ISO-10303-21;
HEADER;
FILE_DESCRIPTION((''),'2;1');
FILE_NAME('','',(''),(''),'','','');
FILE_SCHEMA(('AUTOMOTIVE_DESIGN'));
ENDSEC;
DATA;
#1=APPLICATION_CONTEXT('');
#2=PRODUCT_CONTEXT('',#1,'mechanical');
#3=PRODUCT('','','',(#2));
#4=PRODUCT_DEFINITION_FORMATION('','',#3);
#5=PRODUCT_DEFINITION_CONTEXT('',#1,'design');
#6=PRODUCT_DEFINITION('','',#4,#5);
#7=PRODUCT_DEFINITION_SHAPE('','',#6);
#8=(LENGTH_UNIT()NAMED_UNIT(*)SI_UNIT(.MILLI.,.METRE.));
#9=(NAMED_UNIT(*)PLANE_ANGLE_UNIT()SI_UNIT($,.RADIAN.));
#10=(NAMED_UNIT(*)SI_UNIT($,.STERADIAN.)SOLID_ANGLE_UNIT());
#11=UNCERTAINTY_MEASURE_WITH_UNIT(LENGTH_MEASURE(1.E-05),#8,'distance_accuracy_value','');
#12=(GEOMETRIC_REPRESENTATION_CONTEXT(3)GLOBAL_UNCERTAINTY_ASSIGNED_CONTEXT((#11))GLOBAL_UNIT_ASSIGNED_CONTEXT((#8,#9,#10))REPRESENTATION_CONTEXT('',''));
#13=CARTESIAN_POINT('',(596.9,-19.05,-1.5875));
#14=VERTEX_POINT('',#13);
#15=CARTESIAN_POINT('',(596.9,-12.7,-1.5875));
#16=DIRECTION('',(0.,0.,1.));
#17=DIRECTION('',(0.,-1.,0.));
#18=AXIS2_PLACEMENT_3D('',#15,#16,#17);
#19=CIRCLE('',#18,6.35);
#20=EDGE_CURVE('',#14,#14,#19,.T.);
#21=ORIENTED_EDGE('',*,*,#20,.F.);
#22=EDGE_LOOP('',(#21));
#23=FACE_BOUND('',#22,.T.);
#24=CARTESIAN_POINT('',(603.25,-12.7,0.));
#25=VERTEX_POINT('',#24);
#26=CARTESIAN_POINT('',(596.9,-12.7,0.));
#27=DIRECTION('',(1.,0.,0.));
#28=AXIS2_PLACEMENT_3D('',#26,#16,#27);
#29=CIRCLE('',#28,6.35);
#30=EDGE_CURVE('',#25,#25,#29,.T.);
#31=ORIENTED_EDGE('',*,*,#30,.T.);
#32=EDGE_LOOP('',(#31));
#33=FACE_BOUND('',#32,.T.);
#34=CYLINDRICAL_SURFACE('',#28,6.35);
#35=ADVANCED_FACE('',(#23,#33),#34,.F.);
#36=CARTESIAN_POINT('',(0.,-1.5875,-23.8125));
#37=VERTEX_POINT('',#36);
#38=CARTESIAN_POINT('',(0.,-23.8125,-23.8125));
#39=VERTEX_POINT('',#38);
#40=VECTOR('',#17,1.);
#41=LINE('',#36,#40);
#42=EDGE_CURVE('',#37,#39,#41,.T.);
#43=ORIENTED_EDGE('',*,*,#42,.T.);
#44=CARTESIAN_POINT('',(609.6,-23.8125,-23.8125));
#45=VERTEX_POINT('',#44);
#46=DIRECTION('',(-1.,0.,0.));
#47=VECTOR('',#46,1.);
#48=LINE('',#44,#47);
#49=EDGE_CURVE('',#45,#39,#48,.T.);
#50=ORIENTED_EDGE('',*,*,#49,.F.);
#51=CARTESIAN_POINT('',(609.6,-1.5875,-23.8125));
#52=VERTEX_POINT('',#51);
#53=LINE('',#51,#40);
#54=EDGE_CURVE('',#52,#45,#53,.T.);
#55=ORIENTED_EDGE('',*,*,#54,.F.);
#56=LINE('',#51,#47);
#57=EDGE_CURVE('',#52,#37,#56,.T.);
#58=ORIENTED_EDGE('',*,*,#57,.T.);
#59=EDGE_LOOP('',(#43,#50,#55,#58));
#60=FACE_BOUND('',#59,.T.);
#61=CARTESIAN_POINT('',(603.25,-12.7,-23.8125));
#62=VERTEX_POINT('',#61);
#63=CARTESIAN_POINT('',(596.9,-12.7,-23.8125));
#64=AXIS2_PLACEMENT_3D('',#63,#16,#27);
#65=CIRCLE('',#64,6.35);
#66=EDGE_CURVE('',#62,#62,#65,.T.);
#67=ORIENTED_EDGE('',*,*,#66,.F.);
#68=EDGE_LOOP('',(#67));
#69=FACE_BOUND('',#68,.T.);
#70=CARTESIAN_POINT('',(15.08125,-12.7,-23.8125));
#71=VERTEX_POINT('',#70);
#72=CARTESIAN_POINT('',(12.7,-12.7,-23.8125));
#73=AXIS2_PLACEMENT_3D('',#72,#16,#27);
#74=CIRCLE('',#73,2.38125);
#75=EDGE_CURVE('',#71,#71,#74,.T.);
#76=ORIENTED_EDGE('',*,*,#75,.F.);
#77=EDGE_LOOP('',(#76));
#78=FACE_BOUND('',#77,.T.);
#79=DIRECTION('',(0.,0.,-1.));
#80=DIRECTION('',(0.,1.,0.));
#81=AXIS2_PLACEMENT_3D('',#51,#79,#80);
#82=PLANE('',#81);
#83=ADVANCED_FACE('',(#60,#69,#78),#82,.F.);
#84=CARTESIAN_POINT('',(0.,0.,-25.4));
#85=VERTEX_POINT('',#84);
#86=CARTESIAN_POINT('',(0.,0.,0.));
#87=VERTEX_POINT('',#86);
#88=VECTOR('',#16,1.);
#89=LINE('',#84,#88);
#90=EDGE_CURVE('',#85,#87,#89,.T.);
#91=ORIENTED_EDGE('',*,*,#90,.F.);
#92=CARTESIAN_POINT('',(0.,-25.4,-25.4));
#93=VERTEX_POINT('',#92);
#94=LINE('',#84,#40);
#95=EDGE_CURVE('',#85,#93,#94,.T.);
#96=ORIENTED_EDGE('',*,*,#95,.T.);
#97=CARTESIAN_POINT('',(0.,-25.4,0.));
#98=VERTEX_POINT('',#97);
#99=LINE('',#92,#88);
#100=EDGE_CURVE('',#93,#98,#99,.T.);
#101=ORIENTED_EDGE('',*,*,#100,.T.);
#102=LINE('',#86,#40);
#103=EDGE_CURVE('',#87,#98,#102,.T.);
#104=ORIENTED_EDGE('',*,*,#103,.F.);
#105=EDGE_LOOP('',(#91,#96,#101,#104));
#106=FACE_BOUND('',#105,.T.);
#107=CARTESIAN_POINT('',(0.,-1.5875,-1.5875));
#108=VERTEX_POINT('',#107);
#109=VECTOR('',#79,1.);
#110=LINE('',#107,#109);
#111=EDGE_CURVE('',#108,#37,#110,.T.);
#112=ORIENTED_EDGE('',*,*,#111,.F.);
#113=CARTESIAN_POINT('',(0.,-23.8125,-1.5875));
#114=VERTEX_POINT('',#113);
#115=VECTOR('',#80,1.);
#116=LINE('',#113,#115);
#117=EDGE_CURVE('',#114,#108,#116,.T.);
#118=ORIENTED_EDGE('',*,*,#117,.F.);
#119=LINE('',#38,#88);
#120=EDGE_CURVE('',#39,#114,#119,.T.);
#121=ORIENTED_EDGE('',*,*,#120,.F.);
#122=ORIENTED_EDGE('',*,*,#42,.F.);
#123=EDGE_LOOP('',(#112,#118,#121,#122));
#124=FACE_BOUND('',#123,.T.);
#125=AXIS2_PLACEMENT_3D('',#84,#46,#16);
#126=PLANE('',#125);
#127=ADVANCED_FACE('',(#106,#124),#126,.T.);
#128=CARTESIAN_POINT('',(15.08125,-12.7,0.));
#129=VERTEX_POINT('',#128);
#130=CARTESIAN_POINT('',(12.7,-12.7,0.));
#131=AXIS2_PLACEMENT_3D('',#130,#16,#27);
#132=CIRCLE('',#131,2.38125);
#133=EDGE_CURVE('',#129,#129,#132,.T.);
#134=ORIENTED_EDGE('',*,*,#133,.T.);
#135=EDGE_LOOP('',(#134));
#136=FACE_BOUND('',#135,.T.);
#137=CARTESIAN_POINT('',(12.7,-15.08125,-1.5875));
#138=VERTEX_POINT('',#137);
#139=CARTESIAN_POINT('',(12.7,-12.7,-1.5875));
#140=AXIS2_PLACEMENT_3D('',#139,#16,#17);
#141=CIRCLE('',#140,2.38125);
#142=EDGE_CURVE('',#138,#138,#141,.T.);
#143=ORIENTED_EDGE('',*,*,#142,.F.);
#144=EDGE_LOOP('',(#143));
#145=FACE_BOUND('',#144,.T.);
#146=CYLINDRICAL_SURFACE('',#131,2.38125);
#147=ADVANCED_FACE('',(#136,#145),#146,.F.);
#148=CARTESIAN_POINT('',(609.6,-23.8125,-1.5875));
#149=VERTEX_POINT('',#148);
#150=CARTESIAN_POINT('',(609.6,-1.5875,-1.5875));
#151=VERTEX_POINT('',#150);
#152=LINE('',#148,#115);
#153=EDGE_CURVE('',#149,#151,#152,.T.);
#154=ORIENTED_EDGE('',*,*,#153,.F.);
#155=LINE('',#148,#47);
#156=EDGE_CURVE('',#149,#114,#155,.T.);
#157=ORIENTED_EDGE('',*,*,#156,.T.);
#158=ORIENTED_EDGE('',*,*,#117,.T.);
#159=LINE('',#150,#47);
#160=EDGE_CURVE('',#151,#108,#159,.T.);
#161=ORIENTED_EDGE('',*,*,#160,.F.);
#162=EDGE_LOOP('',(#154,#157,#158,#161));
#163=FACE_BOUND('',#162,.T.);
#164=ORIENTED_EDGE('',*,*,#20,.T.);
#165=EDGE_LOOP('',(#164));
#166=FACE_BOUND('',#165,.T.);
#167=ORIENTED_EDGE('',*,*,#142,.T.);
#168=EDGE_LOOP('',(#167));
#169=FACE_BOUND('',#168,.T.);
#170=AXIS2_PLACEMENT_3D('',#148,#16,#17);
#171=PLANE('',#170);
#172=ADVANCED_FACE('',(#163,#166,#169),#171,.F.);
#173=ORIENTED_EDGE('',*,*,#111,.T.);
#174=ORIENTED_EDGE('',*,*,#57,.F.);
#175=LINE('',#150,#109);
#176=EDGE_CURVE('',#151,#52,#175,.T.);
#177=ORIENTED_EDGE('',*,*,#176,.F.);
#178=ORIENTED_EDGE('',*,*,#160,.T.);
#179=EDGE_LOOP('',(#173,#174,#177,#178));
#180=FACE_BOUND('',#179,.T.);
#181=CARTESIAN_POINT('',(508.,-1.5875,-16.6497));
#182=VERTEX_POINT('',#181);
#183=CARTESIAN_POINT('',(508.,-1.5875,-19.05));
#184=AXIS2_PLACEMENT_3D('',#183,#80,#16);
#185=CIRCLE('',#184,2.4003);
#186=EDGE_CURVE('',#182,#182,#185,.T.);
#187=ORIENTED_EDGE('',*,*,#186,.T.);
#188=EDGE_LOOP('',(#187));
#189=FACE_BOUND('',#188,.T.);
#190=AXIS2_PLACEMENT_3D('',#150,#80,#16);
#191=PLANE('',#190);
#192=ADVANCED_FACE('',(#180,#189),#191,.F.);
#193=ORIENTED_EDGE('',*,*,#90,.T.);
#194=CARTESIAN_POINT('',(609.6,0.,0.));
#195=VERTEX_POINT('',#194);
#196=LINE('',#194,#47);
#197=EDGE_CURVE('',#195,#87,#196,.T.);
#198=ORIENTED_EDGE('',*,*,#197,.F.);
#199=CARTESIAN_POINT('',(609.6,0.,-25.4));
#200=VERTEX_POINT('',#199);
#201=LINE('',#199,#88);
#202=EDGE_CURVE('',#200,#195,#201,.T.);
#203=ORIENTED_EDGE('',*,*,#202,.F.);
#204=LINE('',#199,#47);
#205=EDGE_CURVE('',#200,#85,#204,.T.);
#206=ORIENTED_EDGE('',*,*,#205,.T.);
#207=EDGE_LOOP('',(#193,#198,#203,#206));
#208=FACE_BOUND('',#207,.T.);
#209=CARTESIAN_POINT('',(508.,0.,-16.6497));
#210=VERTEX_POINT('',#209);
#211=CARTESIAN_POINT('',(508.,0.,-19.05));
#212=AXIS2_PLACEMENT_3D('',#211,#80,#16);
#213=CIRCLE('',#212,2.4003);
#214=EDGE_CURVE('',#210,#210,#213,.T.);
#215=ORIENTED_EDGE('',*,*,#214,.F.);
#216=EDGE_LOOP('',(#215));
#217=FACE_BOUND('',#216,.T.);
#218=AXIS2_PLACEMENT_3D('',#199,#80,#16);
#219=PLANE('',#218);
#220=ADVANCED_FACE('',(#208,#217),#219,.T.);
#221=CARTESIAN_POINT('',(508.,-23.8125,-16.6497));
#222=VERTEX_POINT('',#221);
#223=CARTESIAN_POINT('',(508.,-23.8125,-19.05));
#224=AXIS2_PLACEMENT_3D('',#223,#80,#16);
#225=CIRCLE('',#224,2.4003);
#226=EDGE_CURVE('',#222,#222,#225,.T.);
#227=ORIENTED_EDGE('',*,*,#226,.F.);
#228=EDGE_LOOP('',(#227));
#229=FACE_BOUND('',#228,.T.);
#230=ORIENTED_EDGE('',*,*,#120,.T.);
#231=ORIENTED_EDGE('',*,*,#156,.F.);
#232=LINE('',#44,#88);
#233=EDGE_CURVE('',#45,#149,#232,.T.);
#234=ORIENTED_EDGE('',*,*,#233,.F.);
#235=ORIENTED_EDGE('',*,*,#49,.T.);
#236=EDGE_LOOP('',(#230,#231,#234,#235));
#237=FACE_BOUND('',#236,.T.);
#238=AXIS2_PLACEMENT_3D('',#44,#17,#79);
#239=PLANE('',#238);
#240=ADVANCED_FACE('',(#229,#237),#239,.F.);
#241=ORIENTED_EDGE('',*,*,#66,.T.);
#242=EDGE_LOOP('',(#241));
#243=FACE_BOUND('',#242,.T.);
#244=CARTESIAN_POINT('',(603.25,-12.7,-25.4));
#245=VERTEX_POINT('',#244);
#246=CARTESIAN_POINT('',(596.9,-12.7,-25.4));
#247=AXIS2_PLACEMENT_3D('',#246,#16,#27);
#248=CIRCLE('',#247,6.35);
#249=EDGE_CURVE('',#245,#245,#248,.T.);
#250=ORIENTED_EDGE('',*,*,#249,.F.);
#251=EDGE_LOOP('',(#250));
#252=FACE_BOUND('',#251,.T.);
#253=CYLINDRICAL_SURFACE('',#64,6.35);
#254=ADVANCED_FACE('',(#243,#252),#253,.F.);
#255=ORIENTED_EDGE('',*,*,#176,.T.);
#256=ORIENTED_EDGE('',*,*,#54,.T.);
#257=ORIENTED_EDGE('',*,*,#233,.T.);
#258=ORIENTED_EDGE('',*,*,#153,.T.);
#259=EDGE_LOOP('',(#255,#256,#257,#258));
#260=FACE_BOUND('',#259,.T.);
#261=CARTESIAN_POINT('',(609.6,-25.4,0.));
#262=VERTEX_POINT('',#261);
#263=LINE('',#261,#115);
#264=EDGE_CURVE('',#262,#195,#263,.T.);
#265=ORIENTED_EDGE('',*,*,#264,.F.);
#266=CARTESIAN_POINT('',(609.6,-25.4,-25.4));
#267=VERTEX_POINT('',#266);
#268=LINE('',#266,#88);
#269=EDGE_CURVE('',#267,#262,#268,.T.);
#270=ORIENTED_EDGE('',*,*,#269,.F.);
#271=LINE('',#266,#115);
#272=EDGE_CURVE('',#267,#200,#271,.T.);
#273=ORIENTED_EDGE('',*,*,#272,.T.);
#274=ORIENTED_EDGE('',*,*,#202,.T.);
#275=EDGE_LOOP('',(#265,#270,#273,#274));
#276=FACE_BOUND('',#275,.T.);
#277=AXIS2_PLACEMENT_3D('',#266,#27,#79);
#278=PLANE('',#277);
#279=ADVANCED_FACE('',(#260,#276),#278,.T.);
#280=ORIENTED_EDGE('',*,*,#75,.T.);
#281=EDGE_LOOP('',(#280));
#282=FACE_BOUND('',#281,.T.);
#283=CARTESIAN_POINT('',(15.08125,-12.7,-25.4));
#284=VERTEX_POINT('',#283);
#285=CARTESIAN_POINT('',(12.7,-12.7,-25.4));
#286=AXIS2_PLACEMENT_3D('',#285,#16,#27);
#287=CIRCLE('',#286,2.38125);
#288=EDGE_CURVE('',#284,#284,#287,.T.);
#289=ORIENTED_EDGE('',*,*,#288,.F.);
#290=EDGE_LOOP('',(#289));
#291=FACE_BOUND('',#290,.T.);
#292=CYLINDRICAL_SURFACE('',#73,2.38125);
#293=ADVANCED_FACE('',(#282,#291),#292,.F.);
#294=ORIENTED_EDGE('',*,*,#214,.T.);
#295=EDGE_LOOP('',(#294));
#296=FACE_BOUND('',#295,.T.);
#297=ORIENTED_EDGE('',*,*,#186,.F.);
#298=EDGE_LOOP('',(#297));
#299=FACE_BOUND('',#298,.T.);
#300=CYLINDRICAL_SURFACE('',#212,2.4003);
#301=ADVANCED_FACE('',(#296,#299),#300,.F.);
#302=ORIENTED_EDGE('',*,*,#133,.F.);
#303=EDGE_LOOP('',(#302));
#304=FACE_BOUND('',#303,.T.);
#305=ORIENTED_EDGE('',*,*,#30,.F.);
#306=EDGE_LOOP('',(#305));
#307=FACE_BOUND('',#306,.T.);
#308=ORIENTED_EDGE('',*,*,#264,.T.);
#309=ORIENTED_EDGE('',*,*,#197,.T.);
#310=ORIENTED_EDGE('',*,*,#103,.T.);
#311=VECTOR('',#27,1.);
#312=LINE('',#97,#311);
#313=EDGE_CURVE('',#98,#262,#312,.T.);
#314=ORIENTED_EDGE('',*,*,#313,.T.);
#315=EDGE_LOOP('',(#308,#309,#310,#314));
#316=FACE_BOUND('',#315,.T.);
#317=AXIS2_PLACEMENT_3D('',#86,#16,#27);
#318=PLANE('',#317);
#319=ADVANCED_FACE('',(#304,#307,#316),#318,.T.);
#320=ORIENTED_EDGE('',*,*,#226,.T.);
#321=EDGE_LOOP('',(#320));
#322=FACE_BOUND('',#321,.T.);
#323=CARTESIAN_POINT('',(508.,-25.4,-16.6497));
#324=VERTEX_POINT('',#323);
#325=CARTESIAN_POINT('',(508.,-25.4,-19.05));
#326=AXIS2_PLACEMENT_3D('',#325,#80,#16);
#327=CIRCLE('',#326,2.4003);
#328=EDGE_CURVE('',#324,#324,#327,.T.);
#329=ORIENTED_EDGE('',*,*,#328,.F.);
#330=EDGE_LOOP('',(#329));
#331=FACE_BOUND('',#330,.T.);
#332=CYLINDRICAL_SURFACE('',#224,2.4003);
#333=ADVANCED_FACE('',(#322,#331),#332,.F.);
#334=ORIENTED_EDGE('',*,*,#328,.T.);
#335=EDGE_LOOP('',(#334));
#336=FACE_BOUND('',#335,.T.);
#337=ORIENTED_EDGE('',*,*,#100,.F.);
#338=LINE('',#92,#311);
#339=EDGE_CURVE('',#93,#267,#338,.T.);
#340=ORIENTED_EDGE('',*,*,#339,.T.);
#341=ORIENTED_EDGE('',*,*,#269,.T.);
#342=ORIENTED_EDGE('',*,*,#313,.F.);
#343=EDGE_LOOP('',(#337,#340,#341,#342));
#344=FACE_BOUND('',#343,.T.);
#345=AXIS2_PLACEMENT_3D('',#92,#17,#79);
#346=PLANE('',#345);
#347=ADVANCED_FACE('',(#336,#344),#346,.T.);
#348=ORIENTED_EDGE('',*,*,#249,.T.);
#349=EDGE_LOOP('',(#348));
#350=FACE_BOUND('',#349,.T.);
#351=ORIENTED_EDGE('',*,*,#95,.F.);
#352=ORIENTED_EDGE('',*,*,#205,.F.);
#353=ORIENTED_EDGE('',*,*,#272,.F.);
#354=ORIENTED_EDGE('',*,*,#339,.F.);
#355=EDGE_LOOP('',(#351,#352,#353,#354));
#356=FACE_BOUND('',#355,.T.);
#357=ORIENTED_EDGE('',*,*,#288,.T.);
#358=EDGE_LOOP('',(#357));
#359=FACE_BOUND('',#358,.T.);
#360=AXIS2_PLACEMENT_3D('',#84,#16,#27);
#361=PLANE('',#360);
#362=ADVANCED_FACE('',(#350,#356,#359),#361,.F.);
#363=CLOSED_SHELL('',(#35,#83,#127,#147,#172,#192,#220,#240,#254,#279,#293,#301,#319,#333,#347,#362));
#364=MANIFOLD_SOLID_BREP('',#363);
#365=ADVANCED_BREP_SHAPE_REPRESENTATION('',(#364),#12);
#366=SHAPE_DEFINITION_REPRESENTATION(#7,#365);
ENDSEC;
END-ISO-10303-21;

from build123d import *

# Parameters (mm, degrees)
SKETCH1_W                = 609.6
SKETCH1_H                = 25.4
BOSS_EXTRUDE1_DEPTH      = 25.4
SKETCH2_W                = 22.225
SKETCH2_H                = 22.225
CUT_EXTRUDE1_DEPTH       = 611.657416233
HOLE1_D                  = 4.8006
HOLE1_DEPTH              = 1.5875
M4_CLEARANCE_HOLE1_D     = 4.7625
M4_CLEARANCE_HOLE1_DEPTH = 1.5875
HOLE2_D                  = 12.7
HOLE2_DEPTH              = 1.5875
M4_CLEARANCE_HOLE2_D     = 4.7625
M4_CLEARANCE_HOLE2_DEPTH = 25.4
HOLE3_D                  = 12.7
HOLE3_DEPTH              = 25.4
HOLE4_D                  = 4.8006
HOLE4_DEPTH              = 25.4


with BuildPart() as part:
    # Sketch1 → Boss-Extrude1 (new body)
    with BuildSketch(Plane.XY):
        with Locations((304.8, -12.7)):
            Rectangle(SKETCH1_W, SKETCH1_H)
    extrude(amount=-BOSS_EXTRUDE1_DEPTH)

    # Sketch2 → Cut-Extrude1 (cut, through all)
    with BuildSketch(Plane.ZY):
        with Locations((-12.7, -12.7)):
            Rectangle(SKETCH2_W, SKETCH2_H)
    extrude(amount=-CUT_EXTRUDE1_DEPTH, mode=Mode.SUBTRACT)

    # Hole1
    with Locations(Plane(origin=(0, -23.8125, 0), x_dir=(1, 0, 0), z_dir=(0, 1, 0))):
        with Locations((508, 19.05)):
            Hole(HOLE1_D / 2, depth=HOLE1_DEPTH)

    # M4 Clearance Hole1
    with Locations(Plane.XY.offset(-23.8125)):
        with Locations((12.7, -12.7)):
            Hole(M4_CLEARANCE_HOLE1_D / 2, depth=M4_CLEARANCE_HOLE1_DEPTH)

    # Hole2
    with Locations(Plane.XY.offset(-23.8125)):
        with Locations((596.9, -12.7)):
            Hole(HOLE2_D / 2, depth=HOLE2_DEPTH)

    # M4 Clearance Hole2
    with Locations(Plane.XY):
        with Locations((12.7, -12.7)):
            Hole(M4_CLEARANCE_HOLE2_D / 2, depth=M4_CLEARANCE_HOLE2_DEPTH)

    # Hole3
    with Locations(Plane.XY):
        with Locations((596.9, -12.7)):
            Hole(HOLE3_D / 2, depth=HOLE3_DEPTH)

    # Hole4
    with Locations(Plane(origin=(0, 0, 0), x_dir=(1, 0, 0), z_dir=(0, 1, 0))):
        with Locations((508, 19.05)):
            Hole(HOLE4_D / 2, depth=HOLE4_DEPTH)


solid = part.part
